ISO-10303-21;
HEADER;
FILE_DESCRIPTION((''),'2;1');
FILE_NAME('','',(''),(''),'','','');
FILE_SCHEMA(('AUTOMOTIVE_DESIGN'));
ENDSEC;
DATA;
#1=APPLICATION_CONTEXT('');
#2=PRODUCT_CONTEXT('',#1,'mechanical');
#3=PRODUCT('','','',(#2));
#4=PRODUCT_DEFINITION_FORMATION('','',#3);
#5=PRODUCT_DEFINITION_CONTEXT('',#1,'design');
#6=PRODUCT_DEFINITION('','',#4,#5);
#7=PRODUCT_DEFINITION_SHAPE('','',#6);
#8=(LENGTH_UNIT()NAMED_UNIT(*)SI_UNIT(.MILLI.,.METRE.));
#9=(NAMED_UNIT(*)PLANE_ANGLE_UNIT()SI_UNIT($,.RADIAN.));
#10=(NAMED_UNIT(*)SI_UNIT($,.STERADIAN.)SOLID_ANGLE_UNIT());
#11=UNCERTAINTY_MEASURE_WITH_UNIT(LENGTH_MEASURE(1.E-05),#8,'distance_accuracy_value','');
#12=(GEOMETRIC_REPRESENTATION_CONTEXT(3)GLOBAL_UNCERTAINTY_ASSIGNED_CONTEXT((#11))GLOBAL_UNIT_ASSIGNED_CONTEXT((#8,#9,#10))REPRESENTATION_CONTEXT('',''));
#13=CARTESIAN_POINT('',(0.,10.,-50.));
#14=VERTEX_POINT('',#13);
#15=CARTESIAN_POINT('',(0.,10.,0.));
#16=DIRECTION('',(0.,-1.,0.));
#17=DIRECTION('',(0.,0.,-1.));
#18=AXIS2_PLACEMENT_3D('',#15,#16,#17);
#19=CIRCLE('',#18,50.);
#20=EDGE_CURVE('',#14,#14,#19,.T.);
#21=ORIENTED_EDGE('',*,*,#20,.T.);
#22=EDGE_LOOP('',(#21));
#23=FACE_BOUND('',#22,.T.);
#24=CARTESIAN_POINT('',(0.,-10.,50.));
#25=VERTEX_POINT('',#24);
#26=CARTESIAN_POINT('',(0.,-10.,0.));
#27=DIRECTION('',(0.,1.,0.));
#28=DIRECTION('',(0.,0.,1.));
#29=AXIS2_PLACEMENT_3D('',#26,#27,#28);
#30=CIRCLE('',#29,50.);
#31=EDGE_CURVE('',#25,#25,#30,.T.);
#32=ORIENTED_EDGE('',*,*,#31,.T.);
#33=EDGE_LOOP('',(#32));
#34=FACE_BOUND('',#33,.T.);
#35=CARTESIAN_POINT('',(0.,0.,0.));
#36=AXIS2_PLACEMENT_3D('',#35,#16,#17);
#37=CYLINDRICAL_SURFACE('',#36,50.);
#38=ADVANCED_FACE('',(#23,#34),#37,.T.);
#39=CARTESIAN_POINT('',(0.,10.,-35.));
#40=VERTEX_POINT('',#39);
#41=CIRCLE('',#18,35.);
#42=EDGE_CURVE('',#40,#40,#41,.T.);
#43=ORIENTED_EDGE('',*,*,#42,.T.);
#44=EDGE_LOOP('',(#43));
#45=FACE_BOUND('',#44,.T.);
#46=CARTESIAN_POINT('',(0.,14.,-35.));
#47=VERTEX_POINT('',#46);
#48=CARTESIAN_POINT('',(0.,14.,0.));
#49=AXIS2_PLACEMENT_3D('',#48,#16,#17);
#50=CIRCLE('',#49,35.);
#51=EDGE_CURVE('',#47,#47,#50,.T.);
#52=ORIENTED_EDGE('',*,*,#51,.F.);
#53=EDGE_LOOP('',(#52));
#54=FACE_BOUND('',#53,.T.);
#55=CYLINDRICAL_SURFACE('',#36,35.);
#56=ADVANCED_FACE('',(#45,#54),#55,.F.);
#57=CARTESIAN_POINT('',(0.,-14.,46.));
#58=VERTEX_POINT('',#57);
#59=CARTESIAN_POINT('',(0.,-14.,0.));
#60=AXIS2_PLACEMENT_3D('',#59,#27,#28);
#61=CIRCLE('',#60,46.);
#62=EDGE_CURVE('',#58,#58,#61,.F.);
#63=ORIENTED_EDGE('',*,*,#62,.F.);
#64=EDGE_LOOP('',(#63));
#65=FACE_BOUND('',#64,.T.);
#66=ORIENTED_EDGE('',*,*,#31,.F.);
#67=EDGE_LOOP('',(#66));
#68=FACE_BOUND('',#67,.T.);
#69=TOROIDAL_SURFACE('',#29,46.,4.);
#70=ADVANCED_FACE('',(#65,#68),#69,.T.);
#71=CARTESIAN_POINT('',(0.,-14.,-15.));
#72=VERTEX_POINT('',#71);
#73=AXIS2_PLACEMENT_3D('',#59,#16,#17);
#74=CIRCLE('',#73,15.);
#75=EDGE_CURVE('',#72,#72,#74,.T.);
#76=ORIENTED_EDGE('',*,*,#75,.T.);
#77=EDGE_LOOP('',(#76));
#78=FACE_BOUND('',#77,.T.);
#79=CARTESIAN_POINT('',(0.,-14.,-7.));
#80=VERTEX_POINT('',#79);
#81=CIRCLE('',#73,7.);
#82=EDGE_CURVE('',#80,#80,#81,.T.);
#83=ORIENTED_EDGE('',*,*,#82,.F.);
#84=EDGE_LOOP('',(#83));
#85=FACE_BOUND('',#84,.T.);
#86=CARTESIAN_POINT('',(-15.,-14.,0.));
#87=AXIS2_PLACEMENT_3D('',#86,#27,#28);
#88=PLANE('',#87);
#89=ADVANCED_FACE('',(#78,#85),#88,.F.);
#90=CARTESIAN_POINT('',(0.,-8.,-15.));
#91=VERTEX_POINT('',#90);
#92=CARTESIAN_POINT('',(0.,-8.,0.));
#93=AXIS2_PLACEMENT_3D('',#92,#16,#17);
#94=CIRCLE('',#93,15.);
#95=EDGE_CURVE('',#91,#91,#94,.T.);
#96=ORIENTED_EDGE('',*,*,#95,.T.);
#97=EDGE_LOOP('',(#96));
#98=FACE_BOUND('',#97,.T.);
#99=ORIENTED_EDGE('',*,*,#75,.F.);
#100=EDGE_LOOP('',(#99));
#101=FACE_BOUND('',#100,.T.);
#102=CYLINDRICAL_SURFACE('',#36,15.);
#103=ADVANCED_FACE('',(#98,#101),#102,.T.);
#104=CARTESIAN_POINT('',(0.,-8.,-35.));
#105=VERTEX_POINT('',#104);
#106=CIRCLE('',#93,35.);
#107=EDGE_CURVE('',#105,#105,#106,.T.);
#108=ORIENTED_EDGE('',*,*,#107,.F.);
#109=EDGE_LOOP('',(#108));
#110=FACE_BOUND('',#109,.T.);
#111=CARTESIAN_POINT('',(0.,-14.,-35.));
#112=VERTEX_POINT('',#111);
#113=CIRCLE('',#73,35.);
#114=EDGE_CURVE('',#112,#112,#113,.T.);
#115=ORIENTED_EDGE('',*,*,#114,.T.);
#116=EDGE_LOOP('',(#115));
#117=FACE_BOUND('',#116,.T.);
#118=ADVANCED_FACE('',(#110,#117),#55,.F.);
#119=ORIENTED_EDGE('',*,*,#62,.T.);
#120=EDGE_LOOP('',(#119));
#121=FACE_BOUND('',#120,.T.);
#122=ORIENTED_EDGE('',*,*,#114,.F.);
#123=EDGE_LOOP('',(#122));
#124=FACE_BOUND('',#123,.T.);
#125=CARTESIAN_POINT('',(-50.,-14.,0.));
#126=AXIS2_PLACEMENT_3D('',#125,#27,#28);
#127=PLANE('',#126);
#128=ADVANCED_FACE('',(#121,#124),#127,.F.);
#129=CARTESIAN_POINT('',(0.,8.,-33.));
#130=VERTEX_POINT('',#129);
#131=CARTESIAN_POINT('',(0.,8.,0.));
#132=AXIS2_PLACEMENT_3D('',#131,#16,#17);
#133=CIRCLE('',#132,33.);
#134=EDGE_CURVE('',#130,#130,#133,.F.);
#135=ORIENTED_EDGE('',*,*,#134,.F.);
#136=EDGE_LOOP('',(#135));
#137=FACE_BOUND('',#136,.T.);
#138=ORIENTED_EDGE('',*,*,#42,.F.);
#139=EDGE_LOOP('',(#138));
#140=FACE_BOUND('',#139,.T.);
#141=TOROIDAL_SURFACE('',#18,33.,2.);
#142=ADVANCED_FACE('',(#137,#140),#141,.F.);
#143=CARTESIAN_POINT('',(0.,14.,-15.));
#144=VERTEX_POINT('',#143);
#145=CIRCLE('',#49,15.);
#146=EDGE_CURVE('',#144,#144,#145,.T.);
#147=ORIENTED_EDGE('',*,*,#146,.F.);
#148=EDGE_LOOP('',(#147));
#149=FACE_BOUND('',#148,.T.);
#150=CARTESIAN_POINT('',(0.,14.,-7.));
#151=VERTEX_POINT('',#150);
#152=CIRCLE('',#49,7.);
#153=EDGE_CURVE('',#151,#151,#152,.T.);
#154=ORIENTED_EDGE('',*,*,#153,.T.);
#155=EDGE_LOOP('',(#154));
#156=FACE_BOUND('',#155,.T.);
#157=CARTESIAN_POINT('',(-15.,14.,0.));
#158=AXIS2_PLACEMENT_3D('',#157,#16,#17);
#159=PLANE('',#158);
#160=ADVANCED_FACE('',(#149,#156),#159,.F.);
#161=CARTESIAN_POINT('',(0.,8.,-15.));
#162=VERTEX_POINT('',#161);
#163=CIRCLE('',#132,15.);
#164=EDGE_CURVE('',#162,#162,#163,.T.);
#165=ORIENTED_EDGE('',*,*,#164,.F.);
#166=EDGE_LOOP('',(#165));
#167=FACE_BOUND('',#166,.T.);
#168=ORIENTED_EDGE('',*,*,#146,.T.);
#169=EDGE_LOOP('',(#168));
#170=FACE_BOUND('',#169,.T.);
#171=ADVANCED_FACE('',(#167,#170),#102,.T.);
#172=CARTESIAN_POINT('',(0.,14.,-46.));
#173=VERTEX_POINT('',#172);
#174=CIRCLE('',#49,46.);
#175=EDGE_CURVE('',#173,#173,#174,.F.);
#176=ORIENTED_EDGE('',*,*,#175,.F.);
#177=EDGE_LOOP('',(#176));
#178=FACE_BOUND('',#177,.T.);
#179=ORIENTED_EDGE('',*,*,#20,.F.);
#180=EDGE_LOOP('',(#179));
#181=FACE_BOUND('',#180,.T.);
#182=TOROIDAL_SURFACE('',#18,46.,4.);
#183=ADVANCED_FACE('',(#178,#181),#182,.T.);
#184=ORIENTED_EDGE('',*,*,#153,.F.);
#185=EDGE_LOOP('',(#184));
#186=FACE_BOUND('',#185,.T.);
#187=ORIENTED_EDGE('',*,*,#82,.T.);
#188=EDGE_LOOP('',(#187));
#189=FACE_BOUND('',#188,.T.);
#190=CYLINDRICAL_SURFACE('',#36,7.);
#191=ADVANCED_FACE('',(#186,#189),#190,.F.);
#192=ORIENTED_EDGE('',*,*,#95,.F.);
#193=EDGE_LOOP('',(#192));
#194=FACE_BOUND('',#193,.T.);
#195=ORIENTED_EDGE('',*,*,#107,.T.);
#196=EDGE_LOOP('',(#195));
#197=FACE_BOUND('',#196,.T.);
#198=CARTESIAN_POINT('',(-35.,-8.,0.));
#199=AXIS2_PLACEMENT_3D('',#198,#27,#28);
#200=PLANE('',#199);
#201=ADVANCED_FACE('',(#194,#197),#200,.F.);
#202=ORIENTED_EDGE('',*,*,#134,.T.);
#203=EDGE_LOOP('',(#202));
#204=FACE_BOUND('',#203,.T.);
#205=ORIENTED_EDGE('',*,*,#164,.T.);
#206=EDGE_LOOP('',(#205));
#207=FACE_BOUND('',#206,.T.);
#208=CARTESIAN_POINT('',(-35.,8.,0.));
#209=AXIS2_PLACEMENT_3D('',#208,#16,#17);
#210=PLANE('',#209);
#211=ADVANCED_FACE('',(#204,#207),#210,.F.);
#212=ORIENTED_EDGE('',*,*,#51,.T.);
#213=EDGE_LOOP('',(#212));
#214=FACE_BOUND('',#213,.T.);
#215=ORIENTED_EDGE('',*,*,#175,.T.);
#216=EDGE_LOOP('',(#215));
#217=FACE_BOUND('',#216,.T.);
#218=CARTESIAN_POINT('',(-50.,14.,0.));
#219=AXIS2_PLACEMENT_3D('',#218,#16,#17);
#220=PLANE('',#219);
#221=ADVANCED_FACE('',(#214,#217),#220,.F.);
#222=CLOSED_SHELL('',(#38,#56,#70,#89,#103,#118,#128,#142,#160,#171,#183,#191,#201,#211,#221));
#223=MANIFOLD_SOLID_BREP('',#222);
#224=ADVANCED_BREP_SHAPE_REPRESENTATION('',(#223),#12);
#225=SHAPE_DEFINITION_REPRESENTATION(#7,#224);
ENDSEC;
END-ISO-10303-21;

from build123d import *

# Parameters (mm, degrees)
FILLET_1_R = 4
FILLET_2_R = 2


with BuildPart() as part:
    # 草图1 → 旋转1 (revolve)
    with BuildSketch(Plane.XY, mode=Mode.PRIVATE) as revolve_1_sk:
        Polygon((-50, -14), (-50, 14), (-35, 14), (-35, 8), (-15, 8), (-15, 14), (-7, 14), (-7, -14), (-15, -14), (-15, -8), (-35, -8), (-35, -14), align=None)
    revolve(revolve_1_sk.sketch.rotate(Axis((0, 0, 0), (0, 1, 0)), 270), axis=Axis((0, 0, 0), (0, 1, 0)))

    # 圆角1
    fillet_1_edges = [part.edges().sort_by_distance(p)[0] for p in [
        (0, 14, 50),
        (0, -14, 50),
    ]]
    fillet(fillet_1_edges, radius=FILLET_1_R)

    # 圆角2
    fillet_2_edges = [part.edges().sort_by_distance(p)[0] for p in [
        (0, 8, 35),
    ]]
    fillet(fillet_2_edges, radius=FILLET_2_R)


solid = part.part
